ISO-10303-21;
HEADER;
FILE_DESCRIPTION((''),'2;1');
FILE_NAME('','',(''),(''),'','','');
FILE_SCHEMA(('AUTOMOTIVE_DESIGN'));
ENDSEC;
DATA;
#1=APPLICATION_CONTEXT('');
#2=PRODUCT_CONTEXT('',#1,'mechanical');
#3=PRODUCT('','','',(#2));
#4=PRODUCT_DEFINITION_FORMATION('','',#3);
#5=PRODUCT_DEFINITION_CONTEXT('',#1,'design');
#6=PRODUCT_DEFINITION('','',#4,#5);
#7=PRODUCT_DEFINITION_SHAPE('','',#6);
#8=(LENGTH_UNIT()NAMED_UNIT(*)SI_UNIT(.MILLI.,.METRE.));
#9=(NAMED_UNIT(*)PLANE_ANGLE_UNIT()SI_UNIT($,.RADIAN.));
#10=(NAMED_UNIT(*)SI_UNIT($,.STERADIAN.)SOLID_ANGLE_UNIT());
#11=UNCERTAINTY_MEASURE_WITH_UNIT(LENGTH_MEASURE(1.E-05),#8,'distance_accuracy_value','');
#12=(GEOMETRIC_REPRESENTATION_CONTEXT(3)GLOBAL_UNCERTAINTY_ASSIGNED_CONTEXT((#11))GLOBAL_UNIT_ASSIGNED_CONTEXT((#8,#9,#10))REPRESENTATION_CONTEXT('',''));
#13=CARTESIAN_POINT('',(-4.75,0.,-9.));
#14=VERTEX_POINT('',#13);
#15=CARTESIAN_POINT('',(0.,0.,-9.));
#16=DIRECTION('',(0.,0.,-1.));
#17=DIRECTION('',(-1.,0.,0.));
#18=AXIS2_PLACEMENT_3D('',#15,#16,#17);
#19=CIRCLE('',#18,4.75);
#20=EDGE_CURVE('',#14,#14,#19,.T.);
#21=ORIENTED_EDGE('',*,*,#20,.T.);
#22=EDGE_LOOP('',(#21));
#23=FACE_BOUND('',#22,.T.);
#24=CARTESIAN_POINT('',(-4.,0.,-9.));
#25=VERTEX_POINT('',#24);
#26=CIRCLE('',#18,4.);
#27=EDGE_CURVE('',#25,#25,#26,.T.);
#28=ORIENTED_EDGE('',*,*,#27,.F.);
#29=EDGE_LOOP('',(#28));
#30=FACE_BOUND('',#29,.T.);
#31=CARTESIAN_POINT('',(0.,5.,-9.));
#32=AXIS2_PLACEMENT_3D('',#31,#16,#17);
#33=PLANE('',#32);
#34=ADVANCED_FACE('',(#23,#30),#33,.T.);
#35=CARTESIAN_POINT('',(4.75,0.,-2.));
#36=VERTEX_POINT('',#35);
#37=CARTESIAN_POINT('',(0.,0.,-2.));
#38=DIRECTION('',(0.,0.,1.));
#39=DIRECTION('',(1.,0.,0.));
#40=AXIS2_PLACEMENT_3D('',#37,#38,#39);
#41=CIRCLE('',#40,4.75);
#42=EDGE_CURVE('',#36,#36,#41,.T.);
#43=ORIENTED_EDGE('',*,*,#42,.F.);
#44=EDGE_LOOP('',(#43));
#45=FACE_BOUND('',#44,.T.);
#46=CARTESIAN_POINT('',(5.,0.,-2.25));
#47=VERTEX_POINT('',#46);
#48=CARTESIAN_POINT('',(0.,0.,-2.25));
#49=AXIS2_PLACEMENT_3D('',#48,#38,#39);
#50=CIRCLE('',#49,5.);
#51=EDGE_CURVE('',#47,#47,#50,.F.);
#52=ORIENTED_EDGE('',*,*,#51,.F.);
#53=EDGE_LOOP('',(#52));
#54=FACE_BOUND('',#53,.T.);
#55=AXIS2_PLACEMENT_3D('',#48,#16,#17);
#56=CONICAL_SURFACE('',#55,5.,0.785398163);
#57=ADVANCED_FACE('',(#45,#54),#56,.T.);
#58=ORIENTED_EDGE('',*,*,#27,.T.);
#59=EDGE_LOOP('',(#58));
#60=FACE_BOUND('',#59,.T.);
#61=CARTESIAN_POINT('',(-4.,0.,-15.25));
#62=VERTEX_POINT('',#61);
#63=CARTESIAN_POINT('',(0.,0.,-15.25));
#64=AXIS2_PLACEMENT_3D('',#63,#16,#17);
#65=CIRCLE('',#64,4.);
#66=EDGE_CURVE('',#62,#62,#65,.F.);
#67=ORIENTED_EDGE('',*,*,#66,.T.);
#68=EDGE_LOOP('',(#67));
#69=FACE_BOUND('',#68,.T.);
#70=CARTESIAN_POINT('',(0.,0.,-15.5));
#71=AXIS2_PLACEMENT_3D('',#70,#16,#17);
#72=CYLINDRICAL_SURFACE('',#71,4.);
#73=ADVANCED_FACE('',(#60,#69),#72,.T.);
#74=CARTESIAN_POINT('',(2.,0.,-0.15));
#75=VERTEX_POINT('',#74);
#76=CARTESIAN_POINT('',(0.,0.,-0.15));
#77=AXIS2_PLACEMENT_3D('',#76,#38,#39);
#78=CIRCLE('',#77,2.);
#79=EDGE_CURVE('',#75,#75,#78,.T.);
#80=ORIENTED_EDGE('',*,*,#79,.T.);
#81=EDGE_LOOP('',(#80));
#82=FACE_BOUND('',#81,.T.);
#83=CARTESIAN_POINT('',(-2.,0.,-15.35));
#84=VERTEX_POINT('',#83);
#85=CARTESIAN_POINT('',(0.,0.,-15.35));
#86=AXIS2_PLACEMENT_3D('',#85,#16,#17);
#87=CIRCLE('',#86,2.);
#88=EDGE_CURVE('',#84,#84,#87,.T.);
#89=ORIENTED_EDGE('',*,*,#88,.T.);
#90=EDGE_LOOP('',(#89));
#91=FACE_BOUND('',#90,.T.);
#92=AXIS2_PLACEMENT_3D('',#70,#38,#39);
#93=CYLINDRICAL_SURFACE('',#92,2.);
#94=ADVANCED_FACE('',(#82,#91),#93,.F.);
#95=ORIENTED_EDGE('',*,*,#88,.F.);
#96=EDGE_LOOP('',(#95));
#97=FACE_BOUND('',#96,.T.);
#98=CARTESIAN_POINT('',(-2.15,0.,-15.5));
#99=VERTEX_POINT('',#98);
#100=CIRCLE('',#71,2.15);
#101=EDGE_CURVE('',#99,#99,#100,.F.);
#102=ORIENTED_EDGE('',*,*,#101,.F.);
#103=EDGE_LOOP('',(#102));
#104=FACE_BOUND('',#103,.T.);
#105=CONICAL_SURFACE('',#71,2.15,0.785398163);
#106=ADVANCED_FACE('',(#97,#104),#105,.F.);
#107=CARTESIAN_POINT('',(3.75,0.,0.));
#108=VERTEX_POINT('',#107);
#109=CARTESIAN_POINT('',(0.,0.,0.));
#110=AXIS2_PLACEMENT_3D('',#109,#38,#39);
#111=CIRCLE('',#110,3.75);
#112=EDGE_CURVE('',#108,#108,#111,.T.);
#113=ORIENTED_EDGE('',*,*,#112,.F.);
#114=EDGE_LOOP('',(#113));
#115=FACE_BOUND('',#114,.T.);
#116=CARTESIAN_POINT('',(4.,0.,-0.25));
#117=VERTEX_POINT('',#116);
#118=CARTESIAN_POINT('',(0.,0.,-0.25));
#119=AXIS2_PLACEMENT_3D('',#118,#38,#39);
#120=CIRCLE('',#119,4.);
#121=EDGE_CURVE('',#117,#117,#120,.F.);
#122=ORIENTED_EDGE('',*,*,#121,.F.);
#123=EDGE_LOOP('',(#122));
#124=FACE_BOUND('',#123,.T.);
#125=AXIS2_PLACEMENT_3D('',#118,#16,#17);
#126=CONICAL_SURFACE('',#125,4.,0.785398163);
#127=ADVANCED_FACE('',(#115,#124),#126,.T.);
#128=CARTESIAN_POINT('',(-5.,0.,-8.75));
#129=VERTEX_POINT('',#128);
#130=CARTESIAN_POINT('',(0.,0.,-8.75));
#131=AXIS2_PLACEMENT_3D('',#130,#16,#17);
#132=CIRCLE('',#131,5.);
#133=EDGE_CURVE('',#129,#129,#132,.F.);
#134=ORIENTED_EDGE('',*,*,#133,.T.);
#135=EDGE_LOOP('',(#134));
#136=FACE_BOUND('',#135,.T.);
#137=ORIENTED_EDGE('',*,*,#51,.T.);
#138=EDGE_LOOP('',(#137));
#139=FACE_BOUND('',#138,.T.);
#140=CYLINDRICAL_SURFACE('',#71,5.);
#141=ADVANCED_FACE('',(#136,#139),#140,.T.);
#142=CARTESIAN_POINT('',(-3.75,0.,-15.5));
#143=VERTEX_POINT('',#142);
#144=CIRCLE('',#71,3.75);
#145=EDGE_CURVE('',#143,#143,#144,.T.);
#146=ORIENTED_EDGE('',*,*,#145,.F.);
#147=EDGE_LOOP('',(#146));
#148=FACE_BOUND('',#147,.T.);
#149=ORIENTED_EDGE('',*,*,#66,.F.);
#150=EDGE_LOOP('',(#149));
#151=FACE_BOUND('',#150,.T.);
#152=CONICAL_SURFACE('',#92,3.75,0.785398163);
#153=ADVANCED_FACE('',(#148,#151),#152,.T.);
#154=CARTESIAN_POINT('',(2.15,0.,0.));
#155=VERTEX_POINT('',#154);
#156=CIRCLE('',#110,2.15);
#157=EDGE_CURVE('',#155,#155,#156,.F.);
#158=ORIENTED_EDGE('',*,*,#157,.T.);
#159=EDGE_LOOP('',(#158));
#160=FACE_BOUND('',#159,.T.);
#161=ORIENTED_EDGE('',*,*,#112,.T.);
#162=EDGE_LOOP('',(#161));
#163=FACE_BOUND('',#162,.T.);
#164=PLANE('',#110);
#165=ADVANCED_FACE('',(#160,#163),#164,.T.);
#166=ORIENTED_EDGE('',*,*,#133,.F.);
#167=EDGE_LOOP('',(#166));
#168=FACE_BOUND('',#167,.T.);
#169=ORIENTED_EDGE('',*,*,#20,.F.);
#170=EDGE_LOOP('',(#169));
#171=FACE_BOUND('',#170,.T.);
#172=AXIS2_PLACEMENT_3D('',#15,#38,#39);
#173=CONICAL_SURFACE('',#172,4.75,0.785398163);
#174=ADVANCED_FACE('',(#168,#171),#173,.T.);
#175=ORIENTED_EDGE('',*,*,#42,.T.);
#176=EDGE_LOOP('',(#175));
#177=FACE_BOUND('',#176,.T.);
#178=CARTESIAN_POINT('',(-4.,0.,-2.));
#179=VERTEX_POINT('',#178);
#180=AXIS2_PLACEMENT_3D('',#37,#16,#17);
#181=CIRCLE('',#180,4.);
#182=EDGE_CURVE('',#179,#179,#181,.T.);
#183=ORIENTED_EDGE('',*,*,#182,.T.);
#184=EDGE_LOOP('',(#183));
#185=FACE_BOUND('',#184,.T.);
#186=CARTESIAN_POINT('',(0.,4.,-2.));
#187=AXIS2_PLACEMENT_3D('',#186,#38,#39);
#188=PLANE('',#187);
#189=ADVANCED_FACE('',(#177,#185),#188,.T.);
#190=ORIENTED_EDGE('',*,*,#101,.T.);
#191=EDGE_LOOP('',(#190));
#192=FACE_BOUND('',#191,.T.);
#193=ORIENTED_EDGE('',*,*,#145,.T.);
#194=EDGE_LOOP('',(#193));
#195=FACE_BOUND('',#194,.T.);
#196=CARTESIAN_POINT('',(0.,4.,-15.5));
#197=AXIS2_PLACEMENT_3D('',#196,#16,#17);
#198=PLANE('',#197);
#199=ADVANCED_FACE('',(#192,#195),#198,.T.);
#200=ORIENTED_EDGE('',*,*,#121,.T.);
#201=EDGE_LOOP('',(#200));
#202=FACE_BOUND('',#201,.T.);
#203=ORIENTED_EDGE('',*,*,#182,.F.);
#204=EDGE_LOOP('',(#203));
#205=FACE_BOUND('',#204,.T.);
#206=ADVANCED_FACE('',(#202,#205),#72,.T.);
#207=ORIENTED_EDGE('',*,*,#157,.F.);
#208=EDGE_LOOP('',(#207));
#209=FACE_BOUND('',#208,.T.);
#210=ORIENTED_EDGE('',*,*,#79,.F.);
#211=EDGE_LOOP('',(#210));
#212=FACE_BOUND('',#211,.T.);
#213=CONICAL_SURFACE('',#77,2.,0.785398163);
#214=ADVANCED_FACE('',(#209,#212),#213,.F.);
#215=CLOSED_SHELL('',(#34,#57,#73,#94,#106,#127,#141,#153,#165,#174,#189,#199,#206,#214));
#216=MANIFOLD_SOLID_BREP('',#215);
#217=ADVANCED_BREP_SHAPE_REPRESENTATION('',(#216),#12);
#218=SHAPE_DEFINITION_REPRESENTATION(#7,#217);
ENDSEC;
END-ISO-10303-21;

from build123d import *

# Parameters (mm, degrees)
CHAMFER_1_SIZE      = 0.25
SKETCH_2_R          = 2
CUT_EXTRUDE_1_DEPTH = 18.036725037
CHAMFER_2_SIZE      = 0.15


with BuildPart() as part:
    # ｽｹｯﾁ1 → 回転1 (revolve)
    with BuildSketch(Plane(origin=(0, 0, 0), x_dir=(0, 0, -1), z_dir=(1, 0, 0)), mode=Mode.PRIVATE) as revolve_1_sk:
        Polygon((0, 0), (0, 4), (2, 4), (2, 5), (9, 5), (9, 4), (15.5, 4), (15.5, 0), align=None)
    revolve(revolve_1_sk.sketch.rotate(Axis((0, 0, -15.5), (0, 0, 1)), 90), axis=Axis((0, 0, -15.5), (0, 0, 1)))

    # 面取り1
    chamfer_1_edges = [part.edges().sort_by_distance(p)[0] for p in [
        (4, 0, -15.5),
        (5, 0, -9),
        (5, 0, -2),
        (4, 0, 0),
    ]]
    chamfer(chamfer_1_edges, length=CHAMFER_1_SIZE)

    # ｽｹｯﾁ2 → ｶｯﾄ - 押し出し1 (cut, through all)
    with BuildSketch(Plane.XY):
        Circle(SKETCH_2_R)
    extrude(amount=-CUT_EXTRUDE_1_DEPTH, mode=Mode.SUBTRACT)

    # 面取り2
    chamfer_2_edges = [part.edges().sort_by_distance(p)[0] for p in [
        (-2, 0, -15.5),
        (-2, 0, 0),
    ]]
    chamfer(chamfer_2_edges, length=CHAMFER_2_SIZE)


solid = part.part
